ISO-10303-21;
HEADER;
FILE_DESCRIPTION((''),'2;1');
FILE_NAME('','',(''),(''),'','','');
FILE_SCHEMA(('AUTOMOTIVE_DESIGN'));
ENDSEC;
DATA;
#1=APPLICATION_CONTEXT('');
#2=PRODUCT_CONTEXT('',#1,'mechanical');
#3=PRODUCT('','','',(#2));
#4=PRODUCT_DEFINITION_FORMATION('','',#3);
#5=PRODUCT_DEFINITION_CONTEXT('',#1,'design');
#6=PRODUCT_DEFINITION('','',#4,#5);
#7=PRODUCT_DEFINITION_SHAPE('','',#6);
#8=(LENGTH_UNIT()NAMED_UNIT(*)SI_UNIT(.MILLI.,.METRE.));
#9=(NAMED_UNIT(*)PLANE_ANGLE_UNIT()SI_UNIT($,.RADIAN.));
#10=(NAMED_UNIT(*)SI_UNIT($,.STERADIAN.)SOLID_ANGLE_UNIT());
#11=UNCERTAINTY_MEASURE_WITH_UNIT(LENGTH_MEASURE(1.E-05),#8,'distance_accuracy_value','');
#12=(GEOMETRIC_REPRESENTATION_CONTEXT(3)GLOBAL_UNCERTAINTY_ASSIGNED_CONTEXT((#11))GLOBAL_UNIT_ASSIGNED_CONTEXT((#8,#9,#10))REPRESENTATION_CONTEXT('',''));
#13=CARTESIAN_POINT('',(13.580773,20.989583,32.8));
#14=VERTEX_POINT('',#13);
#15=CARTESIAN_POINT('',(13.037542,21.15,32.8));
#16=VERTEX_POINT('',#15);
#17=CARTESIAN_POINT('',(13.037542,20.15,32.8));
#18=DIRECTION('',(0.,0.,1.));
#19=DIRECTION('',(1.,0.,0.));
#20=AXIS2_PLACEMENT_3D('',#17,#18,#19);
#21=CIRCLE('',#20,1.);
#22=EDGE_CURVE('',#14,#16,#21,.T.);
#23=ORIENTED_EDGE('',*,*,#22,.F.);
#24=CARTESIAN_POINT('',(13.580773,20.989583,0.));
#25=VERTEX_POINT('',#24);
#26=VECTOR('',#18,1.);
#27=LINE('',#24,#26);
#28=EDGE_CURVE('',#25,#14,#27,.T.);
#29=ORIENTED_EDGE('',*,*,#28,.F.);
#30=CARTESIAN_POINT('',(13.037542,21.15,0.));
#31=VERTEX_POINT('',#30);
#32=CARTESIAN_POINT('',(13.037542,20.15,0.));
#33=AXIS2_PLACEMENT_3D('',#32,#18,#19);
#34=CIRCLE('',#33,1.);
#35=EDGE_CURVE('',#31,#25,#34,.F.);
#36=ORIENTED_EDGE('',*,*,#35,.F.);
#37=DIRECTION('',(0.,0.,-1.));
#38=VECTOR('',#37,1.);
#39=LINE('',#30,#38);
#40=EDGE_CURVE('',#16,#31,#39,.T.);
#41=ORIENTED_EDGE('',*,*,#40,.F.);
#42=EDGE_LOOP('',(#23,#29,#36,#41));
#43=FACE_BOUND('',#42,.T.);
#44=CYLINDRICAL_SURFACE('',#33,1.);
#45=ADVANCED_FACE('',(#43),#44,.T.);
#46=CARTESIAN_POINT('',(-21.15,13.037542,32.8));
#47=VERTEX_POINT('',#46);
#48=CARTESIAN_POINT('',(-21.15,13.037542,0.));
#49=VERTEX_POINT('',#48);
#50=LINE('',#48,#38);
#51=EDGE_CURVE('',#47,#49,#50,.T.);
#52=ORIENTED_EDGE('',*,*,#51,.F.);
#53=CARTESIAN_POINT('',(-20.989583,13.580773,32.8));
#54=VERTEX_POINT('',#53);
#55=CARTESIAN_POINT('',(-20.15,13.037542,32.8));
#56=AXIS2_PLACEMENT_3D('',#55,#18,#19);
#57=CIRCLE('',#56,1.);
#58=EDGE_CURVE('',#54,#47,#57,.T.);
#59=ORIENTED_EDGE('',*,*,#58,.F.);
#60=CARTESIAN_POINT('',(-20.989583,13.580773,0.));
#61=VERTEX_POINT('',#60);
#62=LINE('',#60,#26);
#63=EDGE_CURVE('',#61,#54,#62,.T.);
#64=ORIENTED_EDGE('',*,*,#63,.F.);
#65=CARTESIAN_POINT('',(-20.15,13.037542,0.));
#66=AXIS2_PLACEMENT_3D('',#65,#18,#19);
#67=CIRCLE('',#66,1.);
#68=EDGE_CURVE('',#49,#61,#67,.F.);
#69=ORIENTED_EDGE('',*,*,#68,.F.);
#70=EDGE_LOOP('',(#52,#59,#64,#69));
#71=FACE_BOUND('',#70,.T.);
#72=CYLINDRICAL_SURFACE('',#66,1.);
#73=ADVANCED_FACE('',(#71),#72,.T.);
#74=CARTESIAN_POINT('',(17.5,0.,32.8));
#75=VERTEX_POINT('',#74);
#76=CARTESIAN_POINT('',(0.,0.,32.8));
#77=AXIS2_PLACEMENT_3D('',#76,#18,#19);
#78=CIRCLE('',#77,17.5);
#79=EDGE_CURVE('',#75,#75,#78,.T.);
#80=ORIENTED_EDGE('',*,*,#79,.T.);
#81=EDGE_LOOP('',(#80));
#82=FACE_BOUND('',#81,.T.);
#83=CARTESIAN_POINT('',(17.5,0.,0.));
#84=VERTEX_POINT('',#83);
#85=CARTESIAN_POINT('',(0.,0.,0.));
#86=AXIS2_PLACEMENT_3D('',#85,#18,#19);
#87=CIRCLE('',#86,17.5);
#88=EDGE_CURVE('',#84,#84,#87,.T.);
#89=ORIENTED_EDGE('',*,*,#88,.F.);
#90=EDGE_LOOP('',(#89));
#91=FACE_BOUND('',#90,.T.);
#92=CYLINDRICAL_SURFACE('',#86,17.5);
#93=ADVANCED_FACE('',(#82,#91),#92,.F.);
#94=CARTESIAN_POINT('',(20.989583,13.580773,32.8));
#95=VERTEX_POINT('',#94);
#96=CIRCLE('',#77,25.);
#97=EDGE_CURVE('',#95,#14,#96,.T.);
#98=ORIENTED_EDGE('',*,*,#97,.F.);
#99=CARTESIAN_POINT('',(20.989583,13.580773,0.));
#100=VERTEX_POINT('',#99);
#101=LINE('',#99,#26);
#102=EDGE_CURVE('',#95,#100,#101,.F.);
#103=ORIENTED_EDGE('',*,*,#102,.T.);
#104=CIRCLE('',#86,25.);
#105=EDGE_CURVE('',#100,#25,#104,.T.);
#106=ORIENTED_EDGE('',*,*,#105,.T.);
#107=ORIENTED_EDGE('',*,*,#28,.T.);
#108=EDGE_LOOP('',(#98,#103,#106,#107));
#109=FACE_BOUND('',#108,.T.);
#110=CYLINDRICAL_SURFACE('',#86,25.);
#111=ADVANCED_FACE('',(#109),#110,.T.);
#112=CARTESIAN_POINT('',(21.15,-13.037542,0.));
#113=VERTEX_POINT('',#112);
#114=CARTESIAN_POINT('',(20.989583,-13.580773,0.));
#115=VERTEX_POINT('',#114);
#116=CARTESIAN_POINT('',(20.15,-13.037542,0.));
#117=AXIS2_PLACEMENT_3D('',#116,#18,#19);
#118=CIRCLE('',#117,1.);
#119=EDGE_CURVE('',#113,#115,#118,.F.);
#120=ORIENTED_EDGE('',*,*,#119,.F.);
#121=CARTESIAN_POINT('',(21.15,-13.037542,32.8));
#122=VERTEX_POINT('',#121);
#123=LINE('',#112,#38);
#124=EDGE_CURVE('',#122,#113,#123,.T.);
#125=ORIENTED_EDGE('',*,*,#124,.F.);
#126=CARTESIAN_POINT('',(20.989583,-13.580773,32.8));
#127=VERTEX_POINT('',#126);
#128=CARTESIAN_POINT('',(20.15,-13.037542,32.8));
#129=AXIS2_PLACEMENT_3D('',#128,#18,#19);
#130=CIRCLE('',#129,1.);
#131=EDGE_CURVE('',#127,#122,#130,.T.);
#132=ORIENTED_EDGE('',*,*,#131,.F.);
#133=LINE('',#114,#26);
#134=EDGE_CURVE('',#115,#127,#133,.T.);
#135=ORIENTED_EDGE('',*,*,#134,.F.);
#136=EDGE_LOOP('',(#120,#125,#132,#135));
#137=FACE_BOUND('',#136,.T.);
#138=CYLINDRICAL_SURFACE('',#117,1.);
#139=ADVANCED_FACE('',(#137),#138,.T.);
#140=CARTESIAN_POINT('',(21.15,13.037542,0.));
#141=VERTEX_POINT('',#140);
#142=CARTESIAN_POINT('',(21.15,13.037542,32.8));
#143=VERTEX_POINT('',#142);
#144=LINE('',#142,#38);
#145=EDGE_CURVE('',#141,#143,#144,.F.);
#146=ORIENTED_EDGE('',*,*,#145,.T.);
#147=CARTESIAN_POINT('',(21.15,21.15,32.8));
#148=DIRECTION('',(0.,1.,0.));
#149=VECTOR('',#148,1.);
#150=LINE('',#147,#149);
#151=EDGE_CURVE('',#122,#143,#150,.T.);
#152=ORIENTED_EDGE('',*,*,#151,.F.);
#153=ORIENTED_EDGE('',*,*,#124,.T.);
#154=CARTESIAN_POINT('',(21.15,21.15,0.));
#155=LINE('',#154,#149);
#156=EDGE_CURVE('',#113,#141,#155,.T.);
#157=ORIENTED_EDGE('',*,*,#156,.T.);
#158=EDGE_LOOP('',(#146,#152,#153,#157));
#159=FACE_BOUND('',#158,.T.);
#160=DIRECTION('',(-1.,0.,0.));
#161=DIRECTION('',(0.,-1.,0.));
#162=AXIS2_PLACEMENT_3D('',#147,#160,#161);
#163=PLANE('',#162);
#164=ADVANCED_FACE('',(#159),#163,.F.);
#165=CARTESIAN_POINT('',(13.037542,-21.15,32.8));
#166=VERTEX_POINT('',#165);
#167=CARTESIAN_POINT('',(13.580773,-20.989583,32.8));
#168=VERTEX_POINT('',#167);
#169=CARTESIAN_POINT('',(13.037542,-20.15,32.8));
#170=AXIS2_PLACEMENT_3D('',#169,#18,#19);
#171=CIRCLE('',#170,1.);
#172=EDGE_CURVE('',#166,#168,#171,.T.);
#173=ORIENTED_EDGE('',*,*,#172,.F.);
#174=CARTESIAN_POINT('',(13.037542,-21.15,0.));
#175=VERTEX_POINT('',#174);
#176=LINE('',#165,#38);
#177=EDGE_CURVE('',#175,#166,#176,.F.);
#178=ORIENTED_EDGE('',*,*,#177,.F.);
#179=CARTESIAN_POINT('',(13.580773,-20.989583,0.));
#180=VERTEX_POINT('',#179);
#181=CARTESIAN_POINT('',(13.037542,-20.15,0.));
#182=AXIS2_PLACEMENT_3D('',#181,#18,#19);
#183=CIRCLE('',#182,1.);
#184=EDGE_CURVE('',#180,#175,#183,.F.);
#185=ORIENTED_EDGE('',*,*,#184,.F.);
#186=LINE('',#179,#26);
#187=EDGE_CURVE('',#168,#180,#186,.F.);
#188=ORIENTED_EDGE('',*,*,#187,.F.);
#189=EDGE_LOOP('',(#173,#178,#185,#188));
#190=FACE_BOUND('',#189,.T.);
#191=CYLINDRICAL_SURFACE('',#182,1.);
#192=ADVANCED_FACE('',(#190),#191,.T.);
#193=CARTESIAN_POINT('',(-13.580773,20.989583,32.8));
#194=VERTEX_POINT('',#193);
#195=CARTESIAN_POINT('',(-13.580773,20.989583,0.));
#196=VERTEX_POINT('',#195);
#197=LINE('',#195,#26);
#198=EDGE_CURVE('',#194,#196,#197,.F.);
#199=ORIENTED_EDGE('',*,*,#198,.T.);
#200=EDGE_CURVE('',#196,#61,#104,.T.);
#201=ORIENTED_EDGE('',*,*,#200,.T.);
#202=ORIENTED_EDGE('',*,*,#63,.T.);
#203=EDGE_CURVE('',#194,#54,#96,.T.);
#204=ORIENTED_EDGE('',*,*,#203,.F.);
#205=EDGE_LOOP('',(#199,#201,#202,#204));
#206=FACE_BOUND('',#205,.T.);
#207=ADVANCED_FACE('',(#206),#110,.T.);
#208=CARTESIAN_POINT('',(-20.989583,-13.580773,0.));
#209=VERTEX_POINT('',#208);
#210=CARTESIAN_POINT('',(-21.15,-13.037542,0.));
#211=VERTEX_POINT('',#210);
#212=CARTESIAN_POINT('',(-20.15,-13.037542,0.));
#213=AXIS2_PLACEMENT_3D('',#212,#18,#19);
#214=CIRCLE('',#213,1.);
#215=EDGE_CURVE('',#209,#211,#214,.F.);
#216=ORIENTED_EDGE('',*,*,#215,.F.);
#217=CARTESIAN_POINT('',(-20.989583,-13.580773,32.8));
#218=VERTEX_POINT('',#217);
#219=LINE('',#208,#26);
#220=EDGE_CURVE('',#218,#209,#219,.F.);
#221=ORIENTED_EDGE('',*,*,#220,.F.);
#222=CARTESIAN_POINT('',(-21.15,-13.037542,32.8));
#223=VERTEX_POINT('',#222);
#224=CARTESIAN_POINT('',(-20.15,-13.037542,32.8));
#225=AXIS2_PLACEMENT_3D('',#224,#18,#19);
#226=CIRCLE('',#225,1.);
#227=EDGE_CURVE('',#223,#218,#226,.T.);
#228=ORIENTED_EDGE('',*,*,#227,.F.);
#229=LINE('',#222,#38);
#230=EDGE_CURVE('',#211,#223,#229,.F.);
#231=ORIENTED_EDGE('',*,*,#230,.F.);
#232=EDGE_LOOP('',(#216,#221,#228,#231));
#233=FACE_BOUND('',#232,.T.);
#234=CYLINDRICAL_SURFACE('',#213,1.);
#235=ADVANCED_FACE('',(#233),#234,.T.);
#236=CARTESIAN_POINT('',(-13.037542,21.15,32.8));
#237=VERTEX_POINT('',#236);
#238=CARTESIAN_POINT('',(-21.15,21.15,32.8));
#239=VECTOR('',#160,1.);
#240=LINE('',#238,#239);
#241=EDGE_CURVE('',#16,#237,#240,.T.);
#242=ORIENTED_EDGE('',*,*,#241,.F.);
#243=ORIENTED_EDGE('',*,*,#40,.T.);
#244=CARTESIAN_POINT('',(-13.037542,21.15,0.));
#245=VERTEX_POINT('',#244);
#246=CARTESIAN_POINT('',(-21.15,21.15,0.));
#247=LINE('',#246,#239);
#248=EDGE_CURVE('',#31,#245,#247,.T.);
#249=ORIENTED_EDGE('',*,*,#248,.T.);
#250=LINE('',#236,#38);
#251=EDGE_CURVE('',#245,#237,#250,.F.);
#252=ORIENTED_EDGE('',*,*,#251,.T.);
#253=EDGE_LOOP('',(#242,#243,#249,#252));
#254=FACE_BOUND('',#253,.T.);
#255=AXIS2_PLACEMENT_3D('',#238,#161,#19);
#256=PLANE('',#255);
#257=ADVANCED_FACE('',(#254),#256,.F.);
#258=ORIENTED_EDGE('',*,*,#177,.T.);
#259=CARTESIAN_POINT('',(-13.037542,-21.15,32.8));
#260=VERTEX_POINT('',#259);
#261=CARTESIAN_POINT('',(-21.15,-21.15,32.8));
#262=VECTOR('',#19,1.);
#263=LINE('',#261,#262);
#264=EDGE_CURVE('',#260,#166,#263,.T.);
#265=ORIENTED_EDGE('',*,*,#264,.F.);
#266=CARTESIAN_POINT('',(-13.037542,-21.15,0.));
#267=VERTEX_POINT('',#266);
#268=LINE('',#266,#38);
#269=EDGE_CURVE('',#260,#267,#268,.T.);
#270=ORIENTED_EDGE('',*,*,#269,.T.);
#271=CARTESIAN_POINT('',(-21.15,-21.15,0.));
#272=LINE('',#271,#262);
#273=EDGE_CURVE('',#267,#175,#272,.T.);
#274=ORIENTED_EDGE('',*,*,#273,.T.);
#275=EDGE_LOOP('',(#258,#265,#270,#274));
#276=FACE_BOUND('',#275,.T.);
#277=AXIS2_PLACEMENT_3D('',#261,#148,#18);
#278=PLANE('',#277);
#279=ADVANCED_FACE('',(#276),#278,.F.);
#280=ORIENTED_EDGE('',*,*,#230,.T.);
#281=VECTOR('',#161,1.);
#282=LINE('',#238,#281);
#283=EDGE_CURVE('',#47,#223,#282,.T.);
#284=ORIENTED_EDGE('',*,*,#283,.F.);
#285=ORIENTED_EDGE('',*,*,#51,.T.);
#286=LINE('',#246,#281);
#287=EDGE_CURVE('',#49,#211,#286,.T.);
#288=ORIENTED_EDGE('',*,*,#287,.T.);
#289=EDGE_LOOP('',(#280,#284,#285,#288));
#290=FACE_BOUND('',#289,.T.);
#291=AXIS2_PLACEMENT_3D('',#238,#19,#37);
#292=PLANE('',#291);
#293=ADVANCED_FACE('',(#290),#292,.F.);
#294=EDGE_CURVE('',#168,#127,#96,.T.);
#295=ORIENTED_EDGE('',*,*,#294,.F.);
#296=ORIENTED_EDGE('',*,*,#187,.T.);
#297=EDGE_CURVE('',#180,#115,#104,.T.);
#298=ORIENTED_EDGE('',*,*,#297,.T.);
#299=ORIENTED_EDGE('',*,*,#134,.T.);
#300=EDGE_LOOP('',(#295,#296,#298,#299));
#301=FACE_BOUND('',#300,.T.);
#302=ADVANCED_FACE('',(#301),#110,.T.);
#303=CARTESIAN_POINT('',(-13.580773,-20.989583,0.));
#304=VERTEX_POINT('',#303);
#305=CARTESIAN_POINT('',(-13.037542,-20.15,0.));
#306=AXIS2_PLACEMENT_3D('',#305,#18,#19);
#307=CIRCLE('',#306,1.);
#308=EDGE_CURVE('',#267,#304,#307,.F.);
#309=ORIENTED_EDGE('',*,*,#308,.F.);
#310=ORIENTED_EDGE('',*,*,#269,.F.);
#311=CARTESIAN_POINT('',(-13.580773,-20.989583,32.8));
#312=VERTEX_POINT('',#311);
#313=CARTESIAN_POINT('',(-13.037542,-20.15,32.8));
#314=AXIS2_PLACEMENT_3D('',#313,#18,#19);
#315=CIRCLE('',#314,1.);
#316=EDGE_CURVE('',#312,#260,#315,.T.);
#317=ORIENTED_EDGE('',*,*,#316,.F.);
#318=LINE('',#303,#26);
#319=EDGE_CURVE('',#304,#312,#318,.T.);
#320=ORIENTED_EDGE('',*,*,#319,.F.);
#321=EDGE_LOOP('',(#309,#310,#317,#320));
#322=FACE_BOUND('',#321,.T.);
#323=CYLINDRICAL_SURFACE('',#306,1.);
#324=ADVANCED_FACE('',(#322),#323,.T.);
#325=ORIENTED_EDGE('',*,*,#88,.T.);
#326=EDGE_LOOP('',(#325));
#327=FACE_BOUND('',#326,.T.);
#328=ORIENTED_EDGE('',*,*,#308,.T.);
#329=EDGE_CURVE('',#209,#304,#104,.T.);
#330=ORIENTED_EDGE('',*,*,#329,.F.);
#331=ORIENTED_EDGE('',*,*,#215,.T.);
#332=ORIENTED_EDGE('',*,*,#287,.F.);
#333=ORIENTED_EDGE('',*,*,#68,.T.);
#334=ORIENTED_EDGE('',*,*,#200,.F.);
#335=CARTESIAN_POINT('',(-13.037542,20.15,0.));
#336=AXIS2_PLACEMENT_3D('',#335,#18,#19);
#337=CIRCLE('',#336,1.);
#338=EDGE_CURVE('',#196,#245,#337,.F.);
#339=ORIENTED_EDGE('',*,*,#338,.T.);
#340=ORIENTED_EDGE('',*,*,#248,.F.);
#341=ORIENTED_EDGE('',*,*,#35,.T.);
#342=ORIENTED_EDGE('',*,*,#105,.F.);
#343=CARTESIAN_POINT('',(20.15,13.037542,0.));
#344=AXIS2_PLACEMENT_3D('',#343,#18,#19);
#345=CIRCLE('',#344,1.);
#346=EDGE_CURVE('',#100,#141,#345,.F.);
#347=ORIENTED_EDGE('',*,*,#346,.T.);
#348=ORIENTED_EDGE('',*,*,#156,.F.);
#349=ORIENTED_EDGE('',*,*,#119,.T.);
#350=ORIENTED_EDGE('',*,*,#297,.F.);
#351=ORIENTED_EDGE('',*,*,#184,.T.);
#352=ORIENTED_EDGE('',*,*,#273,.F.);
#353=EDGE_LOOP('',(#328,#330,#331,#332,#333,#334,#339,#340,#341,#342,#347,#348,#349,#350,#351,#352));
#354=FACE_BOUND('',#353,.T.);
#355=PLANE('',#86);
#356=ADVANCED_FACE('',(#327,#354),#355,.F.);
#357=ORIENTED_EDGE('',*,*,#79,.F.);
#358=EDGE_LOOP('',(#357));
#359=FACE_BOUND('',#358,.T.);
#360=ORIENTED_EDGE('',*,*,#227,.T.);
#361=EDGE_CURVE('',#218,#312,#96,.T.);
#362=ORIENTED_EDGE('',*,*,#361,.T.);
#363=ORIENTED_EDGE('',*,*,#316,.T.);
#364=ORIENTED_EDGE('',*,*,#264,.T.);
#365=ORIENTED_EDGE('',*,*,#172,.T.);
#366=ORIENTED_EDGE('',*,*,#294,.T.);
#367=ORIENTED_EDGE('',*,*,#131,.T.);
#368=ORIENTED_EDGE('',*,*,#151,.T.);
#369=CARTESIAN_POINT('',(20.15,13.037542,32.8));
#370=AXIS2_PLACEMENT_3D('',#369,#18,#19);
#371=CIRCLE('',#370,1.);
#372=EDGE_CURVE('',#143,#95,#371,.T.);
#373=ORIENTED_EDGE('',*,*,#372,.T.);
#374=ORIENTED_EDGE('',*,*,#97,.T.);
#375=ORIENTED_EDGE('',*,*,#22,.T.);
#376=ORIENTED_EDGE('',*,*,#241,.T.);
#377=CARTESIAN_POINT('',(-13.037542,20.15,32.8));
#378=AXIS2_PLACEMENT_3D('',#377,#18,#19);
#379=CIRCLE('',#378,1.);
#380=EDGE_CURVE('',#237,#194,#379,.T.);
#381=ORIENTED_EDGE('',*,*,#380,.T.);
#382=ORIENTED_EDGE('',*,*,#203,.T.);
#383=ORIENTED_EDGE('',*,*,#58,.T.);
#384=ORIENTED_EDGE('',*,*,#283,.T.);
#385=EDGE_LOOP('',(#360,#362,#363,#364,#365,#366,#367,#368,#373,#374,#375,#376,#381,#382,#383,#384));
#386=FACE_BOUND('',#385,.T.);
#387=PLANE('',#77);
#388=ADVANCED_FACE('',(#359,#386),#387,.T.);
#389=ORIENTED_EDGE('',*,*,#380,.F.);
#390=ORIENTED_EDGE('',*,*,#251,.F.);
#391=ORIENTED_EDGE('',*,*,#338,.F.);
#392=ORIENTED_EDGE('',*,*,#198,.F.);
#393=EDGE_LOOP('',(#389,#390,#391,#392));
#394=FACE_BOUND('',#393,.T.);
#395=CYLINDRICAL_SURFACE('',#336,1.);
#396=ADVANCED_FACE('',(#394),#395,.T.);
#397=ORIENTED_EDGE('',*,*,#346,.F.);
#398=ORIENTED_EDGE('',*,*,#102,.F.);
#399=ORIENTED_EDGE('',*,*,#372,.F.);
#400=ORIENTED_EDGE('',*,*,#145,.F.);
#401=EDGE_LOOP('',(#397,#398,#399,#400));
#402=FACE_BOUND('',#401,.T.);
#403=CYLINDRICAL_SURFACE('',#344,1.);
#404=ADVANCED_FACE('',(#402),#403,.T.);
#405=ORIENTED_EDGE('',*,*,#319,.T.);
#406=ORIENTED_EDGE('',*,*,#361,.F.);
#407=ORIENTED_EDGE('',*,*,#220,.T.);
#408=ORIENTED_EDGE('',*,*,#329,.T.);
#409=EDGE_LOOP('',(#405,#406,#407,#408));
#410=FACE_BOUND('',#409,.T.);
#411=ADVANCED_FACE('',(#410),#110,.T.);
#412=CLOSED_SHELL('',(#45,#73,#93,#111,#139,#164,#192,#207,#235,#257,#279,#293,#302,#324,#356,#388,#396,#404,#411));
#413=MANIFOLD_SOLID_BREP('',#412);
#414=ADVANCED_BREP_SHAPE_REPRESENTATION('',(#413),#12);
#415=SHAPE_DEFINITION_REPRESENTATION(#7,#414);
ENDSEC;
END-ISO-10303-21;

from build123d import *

# Parameters (mm, degrees)
CROQUIS1_W              = 42.3
CROQUIS1_H              = 42.3
SALIENTE_EXTRUIR1_DEPTH = 32.8
SKETCH1_R               = 29.910616844
SKETCH1_R_2             = 25
CUT_EXTRUDE1_DEPTH      = 33.8
FILLET1_R               = 1
SKETCH2_R               = 17.5
CUT_EXTRUDE2_DEPTH      = 33.8


with BuildPart() as part:
    # Croquis1 → Saliente-Extruir1 (new body)
    with BuildSketch(Plane.XY):
        Rectangle(CROQUIS1_W, CROQUIS1_H)
    extrude(amount=SALIENTE_EXTRUIR1_DEPTH)

    # Sketch1 → Cut-Extrude1 (cut, through all)
    with BuildSketch(Plane.XY.offset(32.8)):
        Circle(SKETCH1_R)
        Circle(SKETCH1_R_2, mode=Mode.SUBTRACT)
    extrude(amount=-CUT_EXTRUDE1_DEPTH, mode=Mode.SUBTRACT)

    # Fillet1
    fillet1_edges = [part.edges().sort_by_distance(p)[0] for p in [
        (21.15, -13.329572386, 16.4),
        (21.15, 13.329572386, 16.4),
        (13.329572386, 21.15, 16.4),
        (-13.329572386, 21.15, 16.4),
        (-21.15, 13.329572386, 16.4),
        (-21.15, -13.329572386, 16.4),
        (-13.329572386, -21.15, 16.4),
        (13.329572386, -21.15, 16.4),
    ]]
    fillet(fillet1_edges, radius=FILLET1_R)

    # Sketch2 → Cut-Extrude2 (cut, through all)
    with BuildSketch(Plane.XY.offset(32.8)):
        Circle(SKETCH2_R)
    extrude(amount=-CUT_EXTRUDE2_DEPTH, mode=Mode.SUBTRACT)


solid = part.part
